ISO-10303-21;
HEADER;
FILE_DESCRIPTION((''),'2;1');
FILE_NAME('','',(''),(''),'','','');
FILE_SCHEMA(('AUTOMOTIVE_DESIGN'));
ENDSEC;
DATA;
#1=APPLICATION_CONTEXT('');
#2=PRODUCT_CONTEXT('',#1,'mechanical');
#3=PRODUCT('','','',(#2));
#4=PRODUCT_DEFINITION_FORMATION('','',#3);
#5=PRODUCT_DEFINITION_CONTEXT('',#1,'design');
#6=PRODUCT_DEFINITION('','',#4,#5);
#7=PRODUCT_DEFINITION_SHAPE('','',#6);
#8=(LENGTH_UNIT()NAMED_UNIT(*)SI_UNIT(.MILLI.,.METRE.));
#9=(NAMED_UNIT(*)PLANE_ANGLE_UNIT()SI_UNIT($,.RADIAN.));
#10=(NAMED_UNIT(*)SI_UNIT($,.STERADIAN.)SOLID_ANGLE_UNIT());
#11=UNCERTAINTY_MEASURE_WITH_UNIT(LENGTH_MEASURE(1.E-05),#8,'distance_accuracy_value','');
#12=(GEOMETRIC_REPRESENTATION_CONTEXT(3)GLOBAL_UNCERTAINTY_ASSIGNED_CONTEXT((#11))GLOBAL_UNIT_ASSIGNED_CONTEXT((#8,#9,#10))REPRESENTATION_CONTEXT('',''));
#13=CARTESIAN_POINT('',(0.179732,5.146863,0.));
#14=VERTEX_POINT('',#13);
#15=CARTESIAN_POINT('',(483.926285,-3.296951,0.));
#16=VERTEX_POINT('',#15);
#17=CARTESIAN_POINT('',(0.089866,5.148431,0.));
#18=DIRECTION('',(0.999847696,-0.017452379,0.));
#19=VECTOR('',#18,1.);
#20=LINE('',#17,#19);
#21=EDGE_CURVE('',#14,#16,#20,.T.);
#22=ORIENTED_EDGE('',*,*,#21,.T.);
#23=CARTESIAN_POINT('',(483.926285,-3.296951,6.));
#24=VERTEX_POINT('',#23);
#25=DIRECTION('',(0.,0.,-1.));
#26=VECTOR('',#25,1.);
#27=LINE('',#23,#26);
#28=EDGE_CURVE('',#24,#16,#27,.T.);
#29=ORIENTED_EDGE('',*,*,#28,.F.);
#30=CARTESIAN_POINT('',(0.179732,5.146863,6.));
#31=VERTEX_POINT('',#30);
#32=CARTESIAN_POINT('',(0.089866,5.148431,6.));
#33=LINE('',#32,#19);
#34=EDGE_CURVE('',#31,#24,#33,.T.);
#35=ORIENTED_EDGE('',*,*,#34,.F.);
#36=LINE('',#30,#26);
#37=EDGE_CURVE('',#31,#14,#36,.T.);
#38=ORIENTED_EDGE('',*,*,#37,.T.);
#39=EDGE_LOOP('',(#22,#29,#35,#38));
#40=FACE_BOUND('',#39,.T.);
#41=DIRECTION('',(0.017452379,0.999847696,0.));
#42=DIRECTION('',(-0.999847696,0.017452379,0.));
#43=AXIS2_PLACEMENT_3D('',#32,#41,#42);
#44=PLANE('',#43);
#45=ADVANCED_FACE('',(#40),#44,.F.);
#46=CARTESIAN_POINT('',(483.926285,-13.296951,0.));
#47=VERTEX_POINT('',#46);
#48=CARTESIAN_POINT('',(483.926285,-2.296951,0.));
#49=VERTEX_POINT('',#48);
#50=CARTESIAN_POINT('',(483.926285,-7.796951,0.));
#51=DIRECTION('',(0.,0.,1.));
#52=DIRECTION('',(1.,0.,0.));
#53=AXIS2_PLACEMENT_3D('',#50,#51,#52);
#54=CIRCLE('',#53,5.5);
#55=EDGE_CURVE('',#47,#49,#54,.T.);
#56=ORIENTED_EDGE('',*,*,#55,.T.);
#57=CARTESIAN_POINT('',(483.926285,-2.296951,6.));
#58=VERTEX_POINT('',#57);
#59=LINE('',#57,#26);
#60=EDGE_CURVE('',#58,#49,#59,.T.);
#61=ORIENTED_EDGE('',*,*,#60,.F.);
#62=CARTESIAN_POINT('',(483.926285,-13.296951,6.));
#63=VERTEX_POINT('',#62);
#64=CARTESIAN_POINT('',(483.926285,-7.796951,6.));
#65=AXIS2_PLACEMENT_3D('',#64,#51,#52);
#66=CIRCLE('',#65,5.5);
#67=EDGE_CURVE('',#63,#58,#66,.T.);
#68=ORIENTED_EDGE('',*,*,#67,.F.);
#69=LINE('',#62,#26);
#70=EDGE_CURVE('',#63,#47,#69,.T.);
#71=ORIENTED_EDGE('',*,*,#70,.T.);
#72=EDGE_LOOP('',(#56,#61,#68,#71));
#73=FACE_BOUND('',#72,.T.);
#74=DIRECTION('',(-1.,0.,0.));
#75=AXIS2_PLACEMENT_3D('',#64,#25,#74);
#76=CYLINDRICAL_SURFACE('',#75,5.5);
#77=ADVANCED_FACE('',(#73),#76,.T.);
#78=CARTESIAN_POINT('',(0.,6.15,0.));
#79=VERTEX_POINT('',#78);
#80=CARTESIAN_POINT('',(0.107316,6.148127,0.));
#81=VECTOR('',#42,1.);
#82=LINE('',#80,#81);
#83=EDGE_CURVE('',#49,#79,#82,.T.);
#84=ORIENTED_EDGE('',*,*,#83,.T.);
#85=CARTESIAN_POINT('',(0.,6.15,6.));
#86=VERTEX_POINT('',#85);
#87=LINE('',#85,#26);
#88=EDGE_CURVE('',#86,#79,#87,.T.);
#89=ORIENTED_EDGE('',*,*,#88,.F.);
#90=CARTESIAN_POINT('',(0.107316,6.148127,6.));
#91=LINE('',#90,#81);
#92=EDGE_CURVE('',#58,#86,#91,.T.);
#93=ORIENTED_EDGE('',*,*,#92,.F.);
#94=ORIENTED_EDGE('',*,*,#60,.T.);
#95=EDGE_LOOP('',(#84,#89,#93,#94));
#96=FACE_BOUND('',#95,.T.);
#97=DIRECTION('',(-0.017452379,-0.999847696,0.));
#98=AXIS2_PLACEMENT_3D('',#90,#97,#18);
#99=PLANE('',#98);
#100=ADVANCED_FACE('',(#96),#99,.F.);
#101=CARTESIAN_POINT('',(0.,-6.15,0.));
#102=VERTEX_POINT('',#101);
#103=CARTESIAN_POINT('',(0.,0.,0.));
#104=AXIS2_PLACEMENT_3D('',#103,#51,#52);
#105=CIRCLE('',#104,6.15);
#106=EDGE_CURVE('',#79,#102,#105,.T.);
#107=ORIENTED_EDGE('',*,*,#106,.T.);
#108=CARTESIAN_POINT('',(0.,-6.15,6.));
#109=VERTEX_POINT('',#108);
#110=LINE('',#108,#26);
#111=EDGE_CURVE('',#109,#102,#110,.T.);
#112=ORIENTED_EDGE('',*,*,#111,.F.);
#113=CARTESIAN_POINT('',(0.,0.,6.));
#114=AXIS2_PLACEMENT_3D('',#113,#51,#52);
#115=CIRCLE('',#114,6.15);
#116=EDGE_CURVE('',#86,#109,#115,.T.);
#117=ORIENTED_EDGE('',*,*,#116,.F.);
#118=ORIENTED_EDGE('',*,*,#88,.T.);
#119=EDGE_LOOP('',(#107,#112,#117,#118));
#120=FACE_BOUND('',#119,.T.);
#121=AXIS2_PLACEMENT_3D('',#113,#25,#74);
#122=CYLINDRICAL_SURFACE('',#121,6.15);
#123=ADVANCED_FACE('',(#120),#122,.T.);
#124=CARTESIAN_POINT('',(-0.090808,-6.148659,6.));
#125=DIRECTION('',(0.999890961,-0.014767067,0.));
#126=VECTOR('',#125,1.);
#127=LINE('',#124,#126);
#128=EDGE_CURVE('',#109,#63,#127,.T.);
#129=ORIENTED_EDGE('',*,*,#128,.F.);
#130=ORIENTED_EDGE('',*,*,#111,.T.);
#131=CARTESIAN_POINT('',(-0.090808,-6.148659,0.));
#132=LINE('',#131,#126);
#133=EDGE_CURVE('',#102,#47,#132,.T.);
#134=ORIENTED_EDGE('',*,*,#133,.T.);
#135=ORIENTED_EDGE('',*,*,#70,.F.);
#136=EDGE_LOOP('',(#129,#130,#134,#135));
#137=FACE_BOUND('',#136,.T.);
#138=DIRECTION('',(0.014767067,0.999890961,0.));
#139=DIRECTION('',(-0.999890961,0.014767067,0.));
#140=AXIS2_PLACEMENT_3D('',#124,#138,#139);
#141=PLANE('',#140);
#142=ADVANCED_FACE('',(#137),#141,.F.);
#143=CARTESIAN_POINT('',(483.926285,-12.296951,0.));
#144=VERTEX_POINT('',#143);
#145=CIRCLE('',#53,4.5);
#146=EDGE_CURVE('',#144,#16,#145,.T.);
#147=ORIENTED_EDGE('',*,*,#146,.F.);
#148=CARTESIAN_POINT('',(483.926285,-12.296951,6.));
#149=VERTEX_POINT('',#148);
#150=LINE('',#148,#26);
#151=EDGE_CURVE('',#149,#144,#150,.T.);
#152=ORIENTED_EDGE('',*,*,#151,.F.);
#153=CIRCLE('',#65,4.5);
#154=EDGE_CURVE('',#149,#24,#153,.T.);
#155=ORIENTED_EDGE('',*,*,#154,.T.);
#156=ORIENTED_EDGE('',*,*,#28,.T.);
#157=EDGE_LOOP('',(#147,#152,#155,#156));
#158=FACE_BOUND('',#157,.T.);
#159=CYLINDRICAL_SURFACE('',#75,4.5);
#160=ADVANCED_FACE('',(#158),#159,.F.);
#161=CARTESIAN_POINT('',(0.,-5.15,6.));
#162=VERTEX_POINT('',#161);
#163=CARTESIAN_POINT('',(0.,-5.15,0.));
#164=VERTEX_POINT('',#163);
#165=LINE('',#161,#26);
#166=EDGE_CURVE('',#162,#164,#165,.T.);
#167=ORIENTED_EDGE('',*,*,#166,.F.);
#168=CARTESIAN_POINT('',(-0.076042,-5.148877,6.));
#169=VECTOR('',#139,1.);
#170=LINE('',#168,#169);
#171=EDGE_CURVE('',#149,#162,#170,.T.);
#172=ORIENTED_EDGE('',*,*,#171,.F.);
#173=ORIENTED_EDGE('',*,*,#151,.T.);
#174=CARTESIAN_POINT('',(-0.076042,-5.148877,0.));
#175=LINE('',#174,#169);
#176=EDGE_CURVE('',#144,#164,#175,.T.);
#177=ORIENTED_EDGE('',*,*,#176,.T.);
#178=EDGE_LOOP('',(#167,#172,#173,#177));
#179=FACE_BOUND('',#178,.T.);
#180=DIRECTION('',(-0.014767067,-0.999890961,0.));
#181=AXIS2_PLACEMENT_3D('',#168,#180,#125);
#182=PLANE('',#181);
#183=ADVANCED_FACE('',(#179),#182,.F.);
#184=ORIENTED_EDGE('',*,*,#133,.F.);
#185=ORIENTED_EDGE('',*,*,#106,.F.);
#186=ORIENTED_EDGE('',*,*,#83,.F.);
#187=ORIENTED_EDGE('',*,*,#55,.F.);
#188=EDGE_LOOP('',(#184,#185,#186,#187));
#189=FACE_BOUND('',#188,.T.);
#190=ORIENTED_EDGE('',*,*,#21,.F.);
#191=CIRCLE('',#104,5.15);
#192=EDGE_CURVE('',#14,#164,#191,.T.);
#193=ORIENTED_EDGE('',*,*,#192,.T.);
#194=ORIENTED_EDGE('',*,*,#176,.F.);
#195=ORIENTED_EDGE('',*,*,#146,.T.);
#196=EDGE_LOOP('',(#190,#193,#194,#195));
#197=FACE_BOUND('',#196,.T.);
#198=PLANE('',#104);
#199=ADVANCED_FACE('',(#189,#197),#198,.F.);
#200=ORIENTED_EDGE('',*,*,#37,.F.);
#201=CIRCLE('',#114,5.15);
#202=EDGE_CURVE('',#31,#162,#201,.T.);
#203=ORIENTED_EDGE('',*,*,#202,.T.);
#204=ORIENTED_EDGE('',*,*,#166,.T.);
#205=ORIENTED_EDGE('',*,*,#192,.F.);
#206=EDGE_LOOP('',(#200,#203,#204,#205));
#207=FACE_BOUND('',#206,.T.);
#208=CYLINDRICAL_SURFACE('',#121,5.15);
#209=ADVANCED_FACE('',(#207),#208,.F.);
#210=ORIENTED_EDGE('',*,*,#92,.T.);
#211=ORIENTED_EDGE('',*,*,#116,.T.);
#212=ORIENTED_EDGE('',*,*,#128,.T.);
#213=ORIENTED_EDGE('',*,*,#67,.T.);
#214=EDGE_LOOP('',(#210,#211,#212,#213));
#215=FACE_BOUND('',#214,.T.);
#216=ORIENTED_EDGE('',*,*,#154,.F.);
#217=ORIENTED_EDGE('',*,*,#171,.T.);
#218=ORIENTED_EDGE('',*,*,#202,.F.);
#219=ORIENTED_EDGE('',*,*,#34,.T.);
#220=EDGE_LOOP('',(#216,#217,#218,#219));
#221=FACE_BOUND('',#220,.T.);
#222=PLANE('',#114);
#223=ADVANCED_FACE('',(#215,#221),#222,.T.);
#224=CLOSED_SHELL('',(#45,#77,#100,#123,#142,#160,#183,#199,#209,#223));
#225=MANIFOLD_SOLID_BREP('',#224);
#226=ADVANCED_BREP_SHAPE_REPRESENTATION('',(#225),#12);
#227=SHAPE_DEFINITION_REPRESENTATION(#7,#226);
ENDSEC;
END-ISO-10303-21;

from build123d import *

# Parameters (mm, degrees)
BOSS_EXTRUDE1_DEPTH = 6


with BuildPart() as part:
    # Sketch1 → Boss-Extrude1 (new body)
    with BuildSketch(Plane.XY):
        with BuildLine():
            ThreePointArc((483.92628469, -13.296951286), (489.42628469, -7.796951286), (483.92628469, -2.296951286))
            Line((483.92628469, -2.296951286), (0.214631564, 6.146253598))
            Line((0.214631564, 6.146253598), (0, 6.15))
            ThreePointArc((0, 6.15), (-6.15, 0), (0, -6.15))
            Line((0, -6.15), (483.763864662, -13.294552557))
            Line((483.763864662, -13.294552557), (483.92628469, -13.296951286))
        make_face()
        with BuildLine():
            ThreePointArc((0, -5.15), (-5.15, 0), (0, 5.15))
            ThreePointArc((0, 5.15), (0.08987975, 5.149215633), (0.179732122, 5.146862769))
            Line((0.179732122, 5.146862769), (483.92628469, -3.296951286))
            ThreePointArc((483.92628469, -3.296951286), (488.42628469, -7.796951286), (483.92628469, -12.296951286))
            Line((483.92628469, -12.296951286), (0, -5.15))
        make_face(mode=Mode.SUBTRACT)
    extrude(amount=BOSS_EXTRUDE1_DEPTH)


solid = part.part
